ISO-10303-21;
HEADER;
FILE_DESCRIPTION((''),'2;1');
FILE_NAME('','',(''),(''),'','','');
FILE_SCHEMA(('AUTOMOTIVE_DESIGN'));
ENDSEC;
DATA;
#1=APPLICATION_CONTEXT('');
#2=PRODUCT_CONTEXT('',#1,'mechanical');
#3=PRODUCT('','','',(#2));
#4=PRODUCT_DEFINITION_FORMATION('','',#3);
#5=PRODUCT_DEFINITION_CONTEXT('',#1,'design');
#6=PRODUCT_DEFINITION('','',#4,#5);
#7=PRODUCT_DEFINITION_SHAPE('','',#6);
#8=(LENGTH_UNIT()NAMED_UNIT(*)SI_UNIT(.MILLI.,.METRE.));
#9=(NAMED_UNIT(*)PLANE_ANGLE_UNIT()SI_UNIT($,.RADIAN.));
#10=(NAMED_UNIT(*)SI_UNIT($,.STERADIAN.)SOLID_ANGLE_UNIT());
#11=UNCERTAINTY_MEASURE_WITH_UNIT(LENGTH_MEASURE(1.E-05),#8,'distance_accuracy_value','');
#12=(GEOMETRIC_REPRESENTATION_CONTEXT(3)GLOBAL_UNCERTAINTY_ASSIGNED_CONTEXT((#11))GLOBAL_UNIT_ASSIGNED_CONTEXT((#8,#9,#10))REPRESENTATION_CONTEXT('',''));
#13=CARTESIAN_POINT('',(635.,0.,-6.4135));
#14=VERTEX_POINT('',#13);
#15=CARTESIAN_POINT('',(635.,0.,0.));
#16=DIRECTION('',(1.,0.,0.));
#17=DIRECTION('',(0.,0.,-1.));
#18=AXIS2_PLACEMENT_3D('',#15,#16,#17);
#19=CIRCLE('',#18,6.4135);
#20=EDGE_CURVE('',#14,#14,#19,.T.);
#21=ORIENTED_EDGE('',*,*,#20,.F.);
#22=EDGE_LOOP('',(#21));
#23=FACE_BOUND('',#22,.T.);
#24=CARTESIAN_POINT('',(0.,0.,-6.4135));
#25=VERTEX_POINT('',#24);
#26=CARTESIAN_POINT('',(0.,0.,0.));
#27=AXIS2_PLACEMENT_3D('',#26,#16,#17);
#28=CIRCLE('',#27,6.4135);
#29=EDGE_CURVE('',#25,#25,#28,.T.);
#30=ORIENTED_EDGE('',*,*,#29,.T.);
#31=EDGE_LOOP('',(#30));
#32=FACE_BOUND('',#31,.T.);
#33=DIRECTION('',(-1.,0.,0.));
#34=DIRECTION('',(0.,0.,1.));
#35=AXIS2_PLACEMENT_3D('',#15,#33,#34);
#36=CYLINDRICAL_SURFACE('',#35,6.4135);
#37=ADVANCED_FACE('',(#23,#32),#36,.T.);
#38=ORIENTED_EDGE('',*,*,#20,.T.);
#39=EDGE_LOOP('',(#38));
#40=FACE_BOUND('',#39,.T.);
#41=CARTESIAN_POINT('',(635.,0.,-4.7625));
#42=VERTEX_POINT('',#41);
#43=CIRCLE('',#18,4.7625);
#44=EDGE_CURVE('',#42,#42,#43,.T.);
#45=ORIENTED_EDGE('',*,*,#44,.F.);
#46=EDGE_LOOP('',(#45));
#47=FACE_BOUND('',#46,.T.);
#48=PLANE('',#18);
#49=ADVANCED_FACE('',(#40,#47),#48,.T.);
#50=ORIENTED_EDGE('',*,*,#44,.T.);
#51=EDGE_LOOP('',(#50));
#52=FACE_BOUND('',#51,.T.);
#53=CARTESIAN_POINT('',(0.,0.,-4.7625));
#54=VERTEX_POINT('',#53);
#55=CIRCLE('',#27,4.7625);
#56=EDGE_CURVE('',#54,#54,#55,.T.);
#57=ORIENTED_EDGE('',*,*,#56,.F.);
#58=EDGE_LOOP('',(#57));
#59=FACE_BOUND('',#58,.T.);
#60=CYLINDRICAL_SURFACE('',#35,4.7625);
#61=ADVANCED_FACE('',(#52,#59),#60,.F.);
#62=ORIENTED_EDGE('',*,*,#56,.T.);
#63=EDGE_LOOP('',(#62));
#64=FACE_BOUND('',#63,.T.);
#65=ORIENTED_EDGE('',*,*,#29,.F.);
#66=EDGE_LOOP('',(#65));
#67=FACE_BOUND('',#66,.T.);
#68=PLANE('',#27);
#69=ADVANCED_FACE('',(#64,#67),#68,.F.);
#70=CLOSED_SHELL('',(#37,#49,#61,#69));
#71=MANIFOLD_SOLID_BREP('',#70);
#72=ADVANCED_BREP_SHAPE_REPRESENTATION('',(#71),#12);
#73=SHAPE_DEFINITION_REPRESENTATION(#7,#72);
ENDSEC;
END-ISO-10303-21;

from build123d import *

# Parameters (mm, degrees)
SKETCH1_R           = 6.4135
SKETCH1_R_2         = 4.7625
BOSS_EXTRUDE1_DEPTH = 635


with BuildPart() as part:
    # Sketch1 → Boss-Extrude1 (new body)
    with BuildSketch(Plane(origin=(0, 0, 0), x_dir=(0, 0, -1), z_dir=(1, 0, 0))):
        Circle(SKETCH1_R)
        Circle(SKETCH1_R_2, mode=Mode.SUBTRACT)
    extrude(amount=BOSS_EXTRUDE1_DEPTH)


solid = part.part
